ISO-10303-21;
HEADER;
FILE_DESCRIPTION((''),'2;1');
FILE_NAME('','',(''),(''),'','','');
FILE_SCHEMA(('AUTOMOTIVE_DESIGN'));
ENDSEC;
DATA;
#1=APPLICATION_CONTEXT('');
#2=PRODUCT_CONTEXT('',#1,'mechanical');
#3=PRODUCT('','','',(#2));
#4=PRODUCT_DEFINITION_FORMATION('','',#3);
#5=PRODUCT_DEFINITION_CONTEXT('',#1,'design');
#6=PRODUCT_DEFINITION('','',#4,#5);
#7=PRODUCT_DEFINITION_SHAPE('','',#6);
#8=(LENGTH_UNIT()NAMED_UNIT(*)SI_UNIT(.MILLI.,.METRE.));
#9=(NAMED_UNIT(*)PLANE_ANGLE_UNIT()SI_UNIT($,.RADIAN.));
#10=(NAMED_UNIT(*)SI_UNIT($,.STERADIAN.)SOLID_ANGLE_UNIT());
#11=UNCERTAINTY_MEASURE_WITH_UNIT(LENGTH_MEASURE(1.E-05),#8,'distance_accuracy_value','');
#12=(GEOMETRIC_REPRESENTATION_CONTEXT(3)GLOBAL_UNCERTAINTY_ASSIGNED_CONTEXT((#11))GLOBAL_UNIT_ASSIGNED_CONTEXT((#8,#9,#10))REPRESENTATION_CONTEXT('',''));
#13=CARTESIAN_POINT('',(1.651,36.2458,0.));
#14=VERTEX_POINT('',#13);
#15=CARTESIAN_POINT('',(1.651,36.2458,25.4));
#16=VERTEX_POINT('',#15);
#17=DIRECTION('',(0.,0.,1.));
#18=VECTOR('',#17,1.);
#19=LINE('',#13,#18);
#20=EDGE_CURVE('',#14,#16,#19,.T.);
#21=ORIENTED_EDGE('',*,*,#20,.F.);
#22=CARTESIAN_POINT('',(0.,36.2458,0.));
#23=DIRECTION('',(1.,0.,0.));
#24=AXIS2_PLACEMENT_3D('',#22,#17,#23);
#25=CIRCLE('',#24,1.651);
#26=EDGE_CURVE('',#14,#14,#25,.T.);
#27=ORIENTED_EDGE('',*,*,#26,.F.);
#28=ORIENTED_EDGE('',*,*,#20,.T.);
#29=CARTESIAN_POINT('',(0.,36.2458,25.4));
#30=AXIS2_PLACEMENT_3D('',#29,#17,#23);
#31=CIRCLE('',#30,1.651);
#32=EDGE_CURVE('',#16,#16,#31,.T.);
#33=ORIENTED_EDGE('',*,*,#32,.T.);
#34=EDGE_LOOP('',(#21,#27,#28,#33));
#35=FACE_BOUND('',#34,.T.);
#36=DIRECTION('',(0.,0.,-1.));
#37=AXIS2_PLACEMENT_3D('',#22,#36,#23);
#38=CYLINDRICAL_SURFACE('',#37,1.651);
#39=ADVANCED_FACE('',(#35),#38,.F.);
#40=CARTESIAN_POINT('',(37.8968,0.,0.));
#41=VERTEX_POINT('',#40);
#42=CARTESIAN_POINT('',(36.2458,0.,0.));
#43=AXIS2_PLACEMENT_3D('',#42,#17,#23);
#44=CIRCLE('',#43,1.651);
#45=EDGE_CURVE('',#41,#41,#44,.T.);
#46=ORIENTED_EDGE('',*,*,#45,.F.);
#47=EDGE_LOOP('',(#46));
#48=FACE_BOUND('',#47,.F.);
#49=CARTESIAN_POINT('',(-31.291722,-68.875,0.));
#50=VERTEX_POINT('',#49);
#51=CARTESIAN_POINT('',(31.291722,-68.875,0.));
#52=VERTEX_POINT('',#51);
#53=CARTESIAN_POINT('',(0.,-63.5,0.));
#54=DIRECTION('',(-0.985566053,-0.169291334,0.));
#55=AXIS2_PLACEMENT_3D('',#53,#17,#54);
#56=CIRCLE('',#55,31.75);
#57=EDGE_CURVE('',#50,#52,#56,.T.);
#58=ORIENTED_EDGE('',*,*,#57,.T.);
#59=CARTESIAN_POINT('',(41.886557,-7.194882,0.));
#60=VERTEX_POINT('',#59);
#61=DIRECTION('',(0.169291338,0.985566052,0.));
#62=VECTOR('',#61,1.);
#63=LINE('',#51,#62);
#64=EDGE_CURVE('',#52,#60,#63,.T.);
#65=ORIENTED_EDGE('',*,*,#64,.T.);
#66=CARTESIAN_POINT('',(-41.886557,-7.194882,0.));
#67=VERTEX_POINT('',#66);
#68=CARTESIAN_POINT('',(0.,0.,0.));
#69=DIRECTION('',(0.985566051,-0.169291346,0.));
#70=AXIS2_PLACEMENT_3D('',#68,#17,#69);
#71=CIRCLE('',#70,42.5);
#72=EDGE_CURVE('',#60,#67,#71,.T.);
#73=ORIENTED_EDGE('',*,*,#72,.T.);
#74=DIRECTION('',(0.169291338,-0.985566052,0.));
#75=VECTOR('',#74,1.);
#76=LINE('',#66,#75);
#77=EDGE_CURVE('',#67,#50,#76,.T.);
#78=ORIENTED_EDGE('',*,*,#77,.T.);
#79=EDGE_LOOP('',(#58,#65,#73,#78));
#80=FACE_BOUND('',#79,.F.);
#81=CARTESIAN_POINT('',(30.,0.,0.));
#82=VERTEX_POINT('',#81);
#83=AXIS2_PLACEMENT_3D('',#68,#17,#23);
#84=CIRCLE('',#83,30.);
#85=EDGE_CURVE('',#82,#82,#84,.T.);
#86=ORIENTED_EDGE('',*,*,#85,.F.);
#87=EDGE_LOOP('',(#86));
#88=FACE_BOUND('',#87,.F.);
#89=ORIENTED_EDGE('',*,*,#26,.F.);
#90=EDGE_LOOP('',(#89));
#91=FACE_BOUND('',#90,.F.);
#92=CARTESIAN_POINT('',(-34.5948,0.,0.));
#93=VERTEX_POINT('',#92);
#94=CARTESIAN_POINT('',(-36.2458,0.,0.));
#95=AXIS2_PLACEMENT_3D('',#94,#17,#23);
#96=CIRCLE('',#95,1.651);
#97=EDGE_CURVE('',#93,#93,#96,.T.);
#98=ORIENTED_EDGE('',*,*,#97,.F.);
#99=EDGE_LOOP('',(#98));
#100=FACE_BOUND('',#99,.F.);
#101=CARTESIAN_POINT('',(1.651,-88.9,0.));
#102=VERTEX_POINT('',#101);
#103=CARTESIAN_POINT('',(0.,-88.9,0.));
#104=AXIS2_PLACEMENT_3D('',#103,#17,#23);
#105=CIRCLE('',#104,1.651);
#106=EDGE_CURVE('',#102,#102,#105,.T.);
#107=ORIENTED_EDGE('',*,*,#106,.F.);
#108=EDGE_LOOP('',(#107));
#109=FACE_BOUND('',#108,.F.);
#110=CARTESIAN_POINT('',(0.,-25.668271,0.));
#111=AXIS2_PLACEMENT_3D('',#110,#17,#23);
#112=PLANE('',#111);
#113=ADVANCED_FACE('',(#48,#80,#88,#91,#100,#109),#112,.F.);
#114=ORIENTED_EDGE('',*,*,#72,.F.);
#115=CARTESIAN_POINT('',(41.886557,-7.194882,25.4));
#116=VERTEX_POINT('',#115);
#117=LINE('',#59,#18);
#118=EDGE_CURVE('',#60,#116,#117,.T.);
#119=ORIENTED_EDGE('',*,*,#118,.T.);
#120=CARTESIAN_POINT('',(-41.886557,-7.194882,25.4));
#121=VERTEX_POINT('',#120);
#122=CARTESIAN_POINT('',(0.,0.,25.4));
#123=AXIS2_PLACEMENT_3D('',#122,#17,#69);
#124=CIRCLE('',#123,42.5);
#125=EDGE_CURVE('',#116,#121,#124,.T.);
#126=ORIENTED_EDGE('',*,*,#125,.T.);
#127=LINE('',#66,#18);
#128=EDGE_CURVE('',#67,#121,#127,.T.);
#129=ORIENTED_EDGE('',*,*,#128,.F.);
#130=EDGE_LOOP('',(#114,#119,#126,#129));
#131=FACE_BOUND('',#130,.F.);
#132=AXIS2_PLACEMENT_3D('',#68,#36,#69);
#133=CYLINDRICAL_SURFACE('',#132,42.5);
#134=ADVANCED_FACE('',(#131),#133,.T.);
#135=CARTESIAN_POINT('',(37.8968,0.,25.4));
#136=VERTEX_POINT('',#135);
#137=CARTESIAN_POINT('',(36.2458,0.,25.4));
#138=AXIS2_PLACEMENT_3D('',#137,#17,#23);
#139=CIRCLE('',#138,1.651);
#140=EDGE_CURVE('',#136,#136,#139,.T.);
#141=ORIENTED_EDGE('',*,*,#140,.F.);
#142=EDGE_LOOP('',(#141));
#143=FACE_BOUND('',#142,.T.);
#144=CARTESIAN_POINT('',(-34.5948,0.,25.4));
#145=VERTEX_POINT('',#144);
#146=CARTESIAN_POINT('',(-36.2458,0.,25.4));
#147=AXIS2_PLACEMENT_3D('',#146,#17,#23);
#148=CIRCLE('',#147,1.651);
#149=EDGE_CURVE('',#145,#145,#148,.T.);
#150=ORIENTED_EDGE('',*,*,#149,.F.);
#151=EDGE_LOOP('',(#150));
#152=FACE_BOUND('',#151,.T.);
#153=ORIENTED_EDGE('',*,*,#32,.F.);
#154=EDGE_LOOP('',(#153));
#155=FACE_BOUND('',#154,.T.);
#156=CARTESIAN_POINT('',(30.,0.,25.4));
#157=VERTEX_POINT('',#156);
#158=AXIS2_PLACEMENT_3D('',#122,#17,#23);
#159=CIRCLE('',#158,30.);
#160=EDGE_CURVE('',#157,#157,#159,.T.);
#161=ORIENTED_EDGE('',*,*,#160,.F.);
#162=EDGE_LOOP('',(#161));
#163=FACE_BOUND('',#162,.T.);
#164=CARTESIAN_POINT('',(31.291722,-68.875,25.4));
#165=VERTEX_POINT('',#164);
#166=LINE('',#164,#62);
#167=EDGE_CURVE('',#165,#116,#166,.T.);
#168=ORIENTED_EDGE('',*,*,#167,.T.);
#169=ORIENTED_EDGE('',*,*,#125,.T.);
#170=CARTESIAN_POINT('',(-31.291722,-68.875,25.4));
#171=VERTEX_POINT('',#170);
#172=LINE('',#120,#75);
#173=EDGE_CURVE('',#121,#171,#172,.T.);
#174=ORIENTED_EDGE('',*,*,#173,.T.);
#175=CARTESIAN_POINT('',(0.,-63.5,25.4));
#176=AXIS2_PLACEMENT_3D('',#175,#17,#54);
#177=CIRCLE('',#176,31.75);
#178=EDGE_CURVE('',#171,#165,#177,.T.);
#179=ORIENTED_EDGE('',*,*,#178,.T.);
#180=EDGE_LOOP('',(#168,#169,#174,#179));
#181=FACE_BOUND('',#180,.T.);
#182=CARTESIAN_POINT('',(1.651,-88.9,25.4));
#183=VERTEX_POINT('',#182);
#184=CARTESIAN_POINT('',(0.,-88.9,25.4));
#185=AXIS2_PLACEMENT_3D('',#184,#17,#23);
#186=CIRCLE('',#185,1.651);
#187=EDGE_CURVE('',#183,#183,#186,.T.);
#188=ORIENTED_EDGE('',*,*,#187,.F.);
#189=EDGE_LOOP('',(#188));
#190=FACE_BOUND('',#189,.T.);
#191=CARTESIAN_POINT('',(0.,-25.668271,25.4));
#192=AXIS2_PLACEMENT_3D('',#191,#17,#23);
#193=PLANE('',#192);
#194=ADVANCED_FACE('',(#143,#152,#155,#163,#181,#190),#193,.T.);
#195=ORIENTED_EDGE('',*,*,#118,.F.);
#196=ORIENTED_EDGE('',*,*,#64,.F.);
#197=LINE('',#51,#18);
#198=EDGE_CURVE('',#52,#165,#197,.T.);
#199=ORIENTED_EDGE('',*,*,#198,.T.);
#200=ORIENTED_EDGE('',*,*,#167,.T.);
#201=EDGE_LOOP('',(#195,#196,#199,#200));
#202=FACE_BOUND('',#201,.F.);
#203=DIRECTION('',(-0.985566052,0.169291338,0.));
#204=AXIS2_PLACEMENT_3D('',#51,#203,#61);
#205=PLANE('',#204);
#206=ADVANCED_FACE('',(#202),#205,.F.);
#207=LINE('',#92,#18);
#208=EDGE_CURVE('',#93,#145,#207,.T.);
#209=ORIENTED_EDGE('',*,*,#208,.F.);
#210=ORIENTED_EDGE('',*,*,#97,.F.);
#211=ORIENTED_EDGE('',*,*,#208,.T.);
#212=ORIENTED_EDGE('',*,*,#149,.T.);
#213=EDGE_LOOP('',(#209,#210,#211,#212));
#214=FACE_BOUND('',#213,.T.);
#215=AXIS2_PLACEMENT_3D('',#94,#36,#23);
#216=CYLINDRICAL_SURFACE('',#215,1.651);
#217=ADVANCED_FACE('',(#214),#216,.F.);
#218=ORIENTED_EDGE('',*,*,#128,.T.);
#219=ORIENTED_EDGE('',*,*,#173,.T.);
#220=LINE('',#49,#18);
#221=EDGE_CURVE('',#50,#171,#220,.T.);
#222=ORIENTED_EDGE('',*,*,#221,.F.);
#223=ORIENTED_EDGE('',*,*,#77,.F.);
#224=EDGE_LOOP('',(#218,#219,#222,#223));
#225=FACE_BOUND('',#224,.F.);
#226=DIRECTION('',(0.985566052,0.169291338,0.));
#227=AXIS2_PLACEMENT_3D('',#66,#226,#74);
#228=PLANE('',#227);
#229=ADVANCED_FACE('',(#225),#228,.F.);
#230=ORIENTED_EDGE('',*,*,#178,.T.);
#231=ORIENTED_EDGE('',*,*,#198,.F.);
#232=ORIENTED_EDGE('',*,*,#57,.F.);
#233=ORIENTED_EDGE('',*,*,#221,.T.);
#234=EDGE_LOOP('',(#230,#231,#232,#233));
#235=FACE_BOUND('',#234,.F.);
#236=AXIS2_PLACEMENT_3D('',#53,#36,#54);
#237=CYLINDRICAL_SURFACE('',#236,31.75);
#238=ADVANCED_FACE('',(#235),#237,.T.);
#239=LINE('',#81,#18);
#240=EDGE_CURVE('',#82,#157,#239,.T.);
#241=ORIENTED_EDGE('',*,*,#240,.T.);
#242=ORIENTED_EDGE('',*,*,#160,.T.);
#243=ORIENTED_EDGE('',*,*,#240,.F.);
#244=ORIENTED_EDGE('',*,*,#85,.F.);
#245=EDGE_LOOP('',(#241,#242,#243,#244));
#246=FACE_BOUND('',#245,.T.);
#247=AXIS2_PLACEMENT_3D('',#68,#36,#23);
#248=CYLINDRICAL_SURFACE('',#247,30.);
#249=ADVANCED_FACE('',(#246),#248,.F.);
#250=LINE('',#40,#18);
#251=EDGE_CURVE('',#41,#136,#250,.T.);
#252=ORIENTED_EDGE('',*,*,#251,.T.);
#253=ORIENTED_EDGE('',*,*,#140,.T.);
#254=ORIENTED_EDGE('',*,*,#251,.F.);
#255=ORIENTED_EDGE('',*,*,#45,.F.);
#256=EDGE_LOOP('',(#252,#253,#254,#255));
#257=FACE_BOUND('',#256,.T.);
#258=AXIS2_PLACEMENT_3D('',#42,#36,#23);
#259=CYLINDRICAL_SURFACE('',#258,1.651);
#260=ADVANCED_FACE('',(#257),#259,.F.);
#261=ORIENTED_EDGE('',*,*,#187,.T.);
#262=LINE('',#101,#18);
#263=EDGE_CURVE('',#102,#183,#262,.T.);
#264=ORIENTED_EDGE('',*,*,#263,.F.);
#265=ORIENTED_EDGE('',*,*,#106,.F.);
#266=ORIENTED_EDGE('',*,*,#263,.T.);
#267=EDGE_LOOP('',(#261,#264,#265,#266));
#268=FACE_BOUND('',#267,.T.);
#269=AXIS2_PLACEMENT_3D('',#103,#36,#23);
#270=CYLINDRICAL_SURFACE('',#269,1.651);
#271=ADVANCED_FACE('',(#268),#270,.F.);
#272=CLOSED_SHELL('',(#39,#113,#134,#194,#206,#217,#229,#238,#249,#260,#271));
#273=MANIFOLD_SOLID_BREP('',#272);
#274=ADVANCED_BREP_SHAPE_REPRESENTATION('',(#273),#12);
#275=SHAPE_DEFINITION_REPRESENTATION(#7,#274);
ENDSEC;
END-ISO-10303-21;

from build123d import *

# Parameters (mm, degrees)
F0_R     = 1.651
F0_R_2   = 30
F1_DEPTH = 25.4


with BuildPart() as f1:
    # F0 (on Top) → F1 (new body)
    with BuildSketch(Plane.XY):
        with BuildLine():
            ThreePointArc((-31.291722, -68.875), (0, -95.25), (31.291722, -68.875))
            Line((31.291722, -68.875), (41.886557, -7.194882))
            ThreePointArc((41.886557, -7.194882), (0, 42.5), (-41.886557, -7.194882))
            Line((-41.886557, -7.194882), (-31.291722, -68.875))
        make_face()
        with Locations((0, -88.9)):
            Circle(F0_R, mode=Mode.SUBTRACT)
        with Locations((-36.2458, 0)):
            Circle(F0_R, mode=Mode.SUBTRACT)
        Circle(F0_R_2, mode=Mode.SUBTRACT)
        with Locations((36.2458, 0)):
            Circle(F0_R, mode=Mode.SUBTRACT)
        with Locations((0, 36.2458)):
            Circle(F0_R, mode=Mode.SUBTRACT)
    extrude(amount=F1_DEPTH)


solid = f1.part
